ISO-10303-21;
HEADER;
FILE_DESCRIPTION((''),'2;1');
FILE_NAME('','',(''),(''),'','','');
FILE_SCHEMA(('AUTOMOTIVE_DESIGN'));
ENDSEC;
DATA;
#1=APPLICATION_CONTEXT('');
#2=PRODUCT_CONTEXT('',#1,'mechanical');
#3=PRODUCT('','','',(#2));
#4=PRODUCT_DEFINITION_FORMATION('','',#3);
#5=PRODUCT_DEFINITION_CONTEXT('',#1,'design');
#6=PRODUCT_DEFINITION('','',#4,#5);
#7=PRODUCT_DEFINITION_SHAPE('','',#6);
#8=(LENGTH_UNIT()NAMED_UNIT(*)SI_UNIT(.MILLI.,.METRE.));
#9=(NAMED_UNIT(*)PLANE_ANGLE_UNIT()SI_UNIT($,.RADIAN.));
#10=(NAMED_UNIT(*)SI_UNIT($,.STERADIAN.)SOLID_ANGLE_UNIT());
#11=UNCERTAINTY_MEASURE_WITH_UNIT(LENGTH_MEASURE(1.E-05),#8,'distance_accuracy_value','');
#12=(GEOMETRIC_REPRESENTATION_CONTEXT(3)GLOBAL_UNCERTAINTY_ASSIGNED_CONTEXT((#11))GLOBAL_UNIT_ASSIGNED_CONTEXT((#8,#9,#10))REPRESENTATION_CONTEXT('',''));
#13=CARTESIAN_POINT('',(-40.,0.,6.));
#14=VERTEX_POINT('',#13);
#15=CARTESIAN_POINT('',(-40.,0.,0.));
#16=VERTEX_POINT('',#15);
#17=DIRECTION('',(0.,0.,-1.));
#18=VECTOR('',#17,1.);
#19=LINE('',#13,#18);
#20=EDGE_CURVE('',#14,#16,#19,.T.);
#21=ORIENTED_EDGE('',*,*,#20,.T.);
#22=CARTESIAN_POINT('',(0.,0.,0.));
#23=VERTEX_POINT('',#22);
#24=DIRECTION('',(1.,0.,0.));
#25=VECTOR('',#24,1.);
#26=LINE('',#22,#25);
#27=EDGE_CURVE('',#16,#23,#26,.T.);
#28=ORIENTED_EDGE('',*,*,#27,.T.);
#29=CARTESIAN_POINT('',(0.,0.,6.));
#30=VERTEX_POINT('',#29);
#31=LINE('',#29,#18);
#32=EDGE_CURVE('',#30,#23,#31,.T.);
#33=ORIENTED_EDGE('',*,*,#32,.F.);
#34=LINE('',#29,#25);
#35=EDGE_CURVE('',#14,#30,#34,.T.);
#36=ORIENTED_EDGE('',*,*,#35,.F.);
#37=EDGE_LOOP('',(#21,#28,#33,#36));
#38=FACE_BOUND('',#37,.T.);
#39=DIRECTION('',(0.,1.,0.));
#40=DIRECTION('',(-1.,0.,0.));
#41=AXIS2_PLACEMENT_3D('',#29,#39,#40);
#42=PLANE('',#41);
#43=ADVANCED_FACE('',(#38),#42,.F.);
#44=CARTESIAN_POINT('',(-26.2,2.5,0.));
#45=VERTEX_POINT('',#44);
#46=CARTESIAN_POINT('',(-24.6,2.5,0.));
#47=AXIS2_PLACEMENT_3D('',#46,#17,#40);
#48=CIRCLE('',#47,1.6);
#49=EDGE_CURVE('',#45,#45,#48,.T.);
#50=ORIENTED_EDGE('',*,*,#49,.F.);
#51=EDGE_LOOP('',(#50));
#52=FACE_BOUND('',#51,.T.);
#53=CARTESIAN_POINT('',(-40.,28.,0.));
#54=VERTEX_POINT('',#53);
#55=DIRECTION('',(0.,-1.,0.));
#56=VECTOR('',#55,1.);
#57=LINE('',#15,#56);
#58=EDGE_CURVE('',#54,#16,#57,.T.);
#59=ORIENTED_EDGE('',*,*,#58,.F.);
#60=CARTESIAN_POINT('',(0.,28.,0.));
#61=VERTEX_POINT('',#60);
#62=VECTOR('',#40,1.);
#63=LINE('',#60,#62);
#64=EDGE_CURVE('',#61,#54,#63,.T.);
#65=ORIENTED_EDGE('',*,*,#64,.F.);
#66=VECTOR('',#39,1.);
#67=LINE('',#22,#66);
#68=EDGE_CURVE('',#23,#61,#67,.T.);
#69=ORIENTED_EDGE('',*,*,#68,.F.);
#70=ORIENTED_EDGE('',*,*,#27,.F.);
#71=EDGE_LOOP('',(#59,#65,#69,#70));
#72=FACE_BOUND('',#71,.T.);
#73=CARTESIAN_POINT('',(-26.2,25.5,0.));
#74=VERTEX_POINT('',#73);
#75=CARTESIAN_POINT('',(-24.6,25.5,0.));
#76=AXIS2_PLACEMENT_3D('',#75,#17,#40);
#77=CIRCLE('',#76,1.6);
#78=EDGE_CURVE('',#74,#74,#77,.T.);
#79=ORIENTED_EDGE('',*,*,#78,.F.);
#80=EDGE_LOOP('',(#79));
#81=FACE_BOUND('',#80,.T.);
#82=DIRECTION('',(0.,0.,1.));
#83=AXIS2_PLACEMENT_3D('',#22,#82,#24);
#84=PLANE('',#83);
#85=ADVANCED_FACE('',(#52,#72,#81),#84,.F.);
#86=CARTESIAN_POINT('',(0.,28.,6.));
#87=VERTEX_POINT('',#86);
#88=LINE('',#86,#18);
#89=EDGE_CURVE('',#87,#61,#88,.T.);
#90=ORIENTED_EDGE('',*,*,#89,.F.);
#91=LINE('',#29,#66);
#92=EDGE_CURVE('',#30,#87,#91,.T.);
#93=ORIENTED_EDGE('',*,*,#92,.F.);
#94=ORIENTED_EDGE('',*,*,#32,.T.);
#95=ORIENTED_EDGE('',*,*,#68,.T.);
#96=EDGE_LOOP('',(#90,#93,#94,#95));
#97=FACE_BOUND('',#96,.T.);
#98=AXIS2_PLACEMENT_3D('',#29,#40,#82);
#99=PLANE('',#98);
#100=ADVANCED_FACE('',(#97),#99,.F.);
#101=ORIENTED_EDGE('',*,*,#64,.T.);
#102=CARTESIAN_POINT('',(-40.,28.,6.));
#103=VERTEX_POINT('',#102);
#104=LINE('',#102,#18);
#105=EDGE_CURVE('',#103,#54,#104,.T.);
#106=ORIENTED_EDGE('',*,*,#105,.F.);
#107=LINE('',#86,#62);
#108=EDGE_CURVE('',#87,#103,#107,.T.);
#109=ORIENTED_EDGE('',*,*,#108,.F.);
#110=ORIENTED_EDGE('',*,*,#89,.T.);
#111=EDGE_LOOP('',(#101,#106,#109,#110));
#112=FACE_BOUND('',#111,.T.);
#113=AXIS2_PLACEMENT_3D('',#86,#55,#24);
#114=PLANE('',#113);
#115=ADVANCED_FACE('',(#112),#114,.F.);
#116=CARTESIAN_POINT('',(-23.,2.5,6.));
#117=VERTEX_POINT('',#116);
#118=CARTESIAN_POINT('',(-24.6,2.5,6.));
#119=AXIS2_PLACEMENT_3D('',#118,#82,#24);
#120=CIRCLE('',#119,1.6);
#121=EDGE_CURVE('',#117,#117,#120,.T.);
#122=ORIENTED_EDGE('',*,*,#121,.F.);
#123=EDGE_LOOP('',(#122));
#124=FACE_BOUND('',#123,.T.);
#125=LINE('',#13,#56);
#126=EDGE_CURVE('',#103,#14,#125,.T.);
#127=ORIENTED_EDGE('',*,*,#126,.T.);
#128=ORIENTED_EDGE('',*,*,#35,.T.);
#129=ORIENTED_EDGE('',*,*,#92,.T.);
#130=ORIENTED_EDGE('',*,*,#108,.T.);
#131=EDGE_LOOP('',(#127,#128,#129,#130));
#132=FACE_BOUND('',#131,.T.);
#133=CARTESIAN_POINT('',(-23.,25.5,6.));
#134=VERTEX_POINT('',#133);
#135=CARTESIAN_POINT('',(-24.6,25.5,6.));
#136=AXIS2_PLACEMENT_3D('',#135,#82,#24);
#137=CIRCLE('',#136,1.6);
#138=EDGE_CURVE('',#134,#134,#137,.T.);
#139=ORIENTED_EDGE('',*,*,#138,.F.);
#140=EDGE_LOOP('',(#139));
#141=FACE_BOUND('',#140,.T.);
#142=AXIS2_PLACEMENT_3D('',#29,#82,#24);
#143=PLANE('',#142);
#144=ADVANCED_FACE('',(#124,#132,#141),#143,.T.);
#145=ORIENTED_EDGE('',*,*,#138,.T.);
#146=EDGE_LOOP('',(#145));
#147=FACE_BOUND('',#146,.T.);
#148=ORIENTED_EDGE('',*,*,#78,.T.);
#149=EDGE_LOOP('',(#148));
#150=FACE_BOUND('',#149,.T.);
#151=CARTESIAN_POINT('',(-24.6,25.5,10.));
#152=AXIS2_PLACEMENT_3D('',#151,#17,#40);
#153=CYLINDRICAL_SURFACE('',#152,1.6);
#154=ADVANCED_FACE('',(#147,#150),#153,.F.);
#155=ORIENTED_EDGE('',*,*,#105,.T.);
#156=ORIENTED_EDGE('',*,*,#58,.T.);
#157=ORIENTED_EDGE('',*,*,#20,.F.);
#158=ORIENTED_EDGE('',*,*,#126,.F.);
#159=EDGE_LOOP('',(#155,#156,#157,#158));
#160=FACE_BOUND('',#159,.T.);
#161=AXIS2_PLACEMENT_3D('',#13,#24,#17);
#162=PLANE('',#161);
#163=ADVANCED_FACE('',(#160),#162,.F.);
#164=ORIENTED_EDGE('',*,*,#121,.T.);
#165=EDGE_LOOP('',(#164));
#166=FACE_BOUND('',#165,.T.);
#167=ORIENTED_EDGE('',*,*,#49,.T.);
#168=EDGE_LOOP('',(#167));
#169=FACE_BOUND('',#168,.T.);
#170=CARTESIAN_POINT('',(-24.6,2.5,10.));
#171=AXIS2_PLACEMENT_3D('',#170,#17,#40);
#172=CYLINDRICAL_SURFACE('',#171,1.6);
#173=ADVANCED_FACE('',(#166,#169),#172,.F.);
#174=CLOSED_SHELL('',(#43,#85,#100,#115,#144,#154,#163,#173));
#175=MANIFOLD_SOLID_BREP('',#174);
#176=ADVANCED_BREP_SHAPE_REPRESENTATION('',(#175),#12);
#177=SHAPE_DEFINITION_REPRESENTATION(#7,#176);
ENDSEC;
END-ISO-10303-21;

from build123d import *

# Parameters (mm, degrees)
ESQUISSE1_W             = 40
ESQUISSE1_H             = 28
BOSS_EXTRU_1_DEPTH      = 6
ESQUISSE2_R             = 1.6
ENL_V_MAT_EXTRU_1_DEPTH = 10


with BuildPart() as part:
    # Esquisse1 → Boss.-Extru.1 (new body)
    with BuildSketch(Plane.XY):
        with Locations((-20, 14)):
            Rectangle(ESQUISSE1_W, ESQUISSE1_H)
    extrude(amount=BOSS_EXTRU_1_DEPTH)

    # Esquisse2 → Enlèv. mat.-Extru.1 (cut)
    with BuildSketch(Plane(origin=(0, 0, 0), x_dir=(-1, 0, 0), z_dir=(0, 0, -1))):
        with Locations((24.6, 25.5)):
            Circle(ESQUISSE2_R)
        with Locations((24.6, 2.5)):
            Circle(ESQUISSE2_R)
    extrude(amount=-ENL_V_MAT_EXTRU_1_DEPTH, mode=Mode.SUBTRACT)


solid = part.part
